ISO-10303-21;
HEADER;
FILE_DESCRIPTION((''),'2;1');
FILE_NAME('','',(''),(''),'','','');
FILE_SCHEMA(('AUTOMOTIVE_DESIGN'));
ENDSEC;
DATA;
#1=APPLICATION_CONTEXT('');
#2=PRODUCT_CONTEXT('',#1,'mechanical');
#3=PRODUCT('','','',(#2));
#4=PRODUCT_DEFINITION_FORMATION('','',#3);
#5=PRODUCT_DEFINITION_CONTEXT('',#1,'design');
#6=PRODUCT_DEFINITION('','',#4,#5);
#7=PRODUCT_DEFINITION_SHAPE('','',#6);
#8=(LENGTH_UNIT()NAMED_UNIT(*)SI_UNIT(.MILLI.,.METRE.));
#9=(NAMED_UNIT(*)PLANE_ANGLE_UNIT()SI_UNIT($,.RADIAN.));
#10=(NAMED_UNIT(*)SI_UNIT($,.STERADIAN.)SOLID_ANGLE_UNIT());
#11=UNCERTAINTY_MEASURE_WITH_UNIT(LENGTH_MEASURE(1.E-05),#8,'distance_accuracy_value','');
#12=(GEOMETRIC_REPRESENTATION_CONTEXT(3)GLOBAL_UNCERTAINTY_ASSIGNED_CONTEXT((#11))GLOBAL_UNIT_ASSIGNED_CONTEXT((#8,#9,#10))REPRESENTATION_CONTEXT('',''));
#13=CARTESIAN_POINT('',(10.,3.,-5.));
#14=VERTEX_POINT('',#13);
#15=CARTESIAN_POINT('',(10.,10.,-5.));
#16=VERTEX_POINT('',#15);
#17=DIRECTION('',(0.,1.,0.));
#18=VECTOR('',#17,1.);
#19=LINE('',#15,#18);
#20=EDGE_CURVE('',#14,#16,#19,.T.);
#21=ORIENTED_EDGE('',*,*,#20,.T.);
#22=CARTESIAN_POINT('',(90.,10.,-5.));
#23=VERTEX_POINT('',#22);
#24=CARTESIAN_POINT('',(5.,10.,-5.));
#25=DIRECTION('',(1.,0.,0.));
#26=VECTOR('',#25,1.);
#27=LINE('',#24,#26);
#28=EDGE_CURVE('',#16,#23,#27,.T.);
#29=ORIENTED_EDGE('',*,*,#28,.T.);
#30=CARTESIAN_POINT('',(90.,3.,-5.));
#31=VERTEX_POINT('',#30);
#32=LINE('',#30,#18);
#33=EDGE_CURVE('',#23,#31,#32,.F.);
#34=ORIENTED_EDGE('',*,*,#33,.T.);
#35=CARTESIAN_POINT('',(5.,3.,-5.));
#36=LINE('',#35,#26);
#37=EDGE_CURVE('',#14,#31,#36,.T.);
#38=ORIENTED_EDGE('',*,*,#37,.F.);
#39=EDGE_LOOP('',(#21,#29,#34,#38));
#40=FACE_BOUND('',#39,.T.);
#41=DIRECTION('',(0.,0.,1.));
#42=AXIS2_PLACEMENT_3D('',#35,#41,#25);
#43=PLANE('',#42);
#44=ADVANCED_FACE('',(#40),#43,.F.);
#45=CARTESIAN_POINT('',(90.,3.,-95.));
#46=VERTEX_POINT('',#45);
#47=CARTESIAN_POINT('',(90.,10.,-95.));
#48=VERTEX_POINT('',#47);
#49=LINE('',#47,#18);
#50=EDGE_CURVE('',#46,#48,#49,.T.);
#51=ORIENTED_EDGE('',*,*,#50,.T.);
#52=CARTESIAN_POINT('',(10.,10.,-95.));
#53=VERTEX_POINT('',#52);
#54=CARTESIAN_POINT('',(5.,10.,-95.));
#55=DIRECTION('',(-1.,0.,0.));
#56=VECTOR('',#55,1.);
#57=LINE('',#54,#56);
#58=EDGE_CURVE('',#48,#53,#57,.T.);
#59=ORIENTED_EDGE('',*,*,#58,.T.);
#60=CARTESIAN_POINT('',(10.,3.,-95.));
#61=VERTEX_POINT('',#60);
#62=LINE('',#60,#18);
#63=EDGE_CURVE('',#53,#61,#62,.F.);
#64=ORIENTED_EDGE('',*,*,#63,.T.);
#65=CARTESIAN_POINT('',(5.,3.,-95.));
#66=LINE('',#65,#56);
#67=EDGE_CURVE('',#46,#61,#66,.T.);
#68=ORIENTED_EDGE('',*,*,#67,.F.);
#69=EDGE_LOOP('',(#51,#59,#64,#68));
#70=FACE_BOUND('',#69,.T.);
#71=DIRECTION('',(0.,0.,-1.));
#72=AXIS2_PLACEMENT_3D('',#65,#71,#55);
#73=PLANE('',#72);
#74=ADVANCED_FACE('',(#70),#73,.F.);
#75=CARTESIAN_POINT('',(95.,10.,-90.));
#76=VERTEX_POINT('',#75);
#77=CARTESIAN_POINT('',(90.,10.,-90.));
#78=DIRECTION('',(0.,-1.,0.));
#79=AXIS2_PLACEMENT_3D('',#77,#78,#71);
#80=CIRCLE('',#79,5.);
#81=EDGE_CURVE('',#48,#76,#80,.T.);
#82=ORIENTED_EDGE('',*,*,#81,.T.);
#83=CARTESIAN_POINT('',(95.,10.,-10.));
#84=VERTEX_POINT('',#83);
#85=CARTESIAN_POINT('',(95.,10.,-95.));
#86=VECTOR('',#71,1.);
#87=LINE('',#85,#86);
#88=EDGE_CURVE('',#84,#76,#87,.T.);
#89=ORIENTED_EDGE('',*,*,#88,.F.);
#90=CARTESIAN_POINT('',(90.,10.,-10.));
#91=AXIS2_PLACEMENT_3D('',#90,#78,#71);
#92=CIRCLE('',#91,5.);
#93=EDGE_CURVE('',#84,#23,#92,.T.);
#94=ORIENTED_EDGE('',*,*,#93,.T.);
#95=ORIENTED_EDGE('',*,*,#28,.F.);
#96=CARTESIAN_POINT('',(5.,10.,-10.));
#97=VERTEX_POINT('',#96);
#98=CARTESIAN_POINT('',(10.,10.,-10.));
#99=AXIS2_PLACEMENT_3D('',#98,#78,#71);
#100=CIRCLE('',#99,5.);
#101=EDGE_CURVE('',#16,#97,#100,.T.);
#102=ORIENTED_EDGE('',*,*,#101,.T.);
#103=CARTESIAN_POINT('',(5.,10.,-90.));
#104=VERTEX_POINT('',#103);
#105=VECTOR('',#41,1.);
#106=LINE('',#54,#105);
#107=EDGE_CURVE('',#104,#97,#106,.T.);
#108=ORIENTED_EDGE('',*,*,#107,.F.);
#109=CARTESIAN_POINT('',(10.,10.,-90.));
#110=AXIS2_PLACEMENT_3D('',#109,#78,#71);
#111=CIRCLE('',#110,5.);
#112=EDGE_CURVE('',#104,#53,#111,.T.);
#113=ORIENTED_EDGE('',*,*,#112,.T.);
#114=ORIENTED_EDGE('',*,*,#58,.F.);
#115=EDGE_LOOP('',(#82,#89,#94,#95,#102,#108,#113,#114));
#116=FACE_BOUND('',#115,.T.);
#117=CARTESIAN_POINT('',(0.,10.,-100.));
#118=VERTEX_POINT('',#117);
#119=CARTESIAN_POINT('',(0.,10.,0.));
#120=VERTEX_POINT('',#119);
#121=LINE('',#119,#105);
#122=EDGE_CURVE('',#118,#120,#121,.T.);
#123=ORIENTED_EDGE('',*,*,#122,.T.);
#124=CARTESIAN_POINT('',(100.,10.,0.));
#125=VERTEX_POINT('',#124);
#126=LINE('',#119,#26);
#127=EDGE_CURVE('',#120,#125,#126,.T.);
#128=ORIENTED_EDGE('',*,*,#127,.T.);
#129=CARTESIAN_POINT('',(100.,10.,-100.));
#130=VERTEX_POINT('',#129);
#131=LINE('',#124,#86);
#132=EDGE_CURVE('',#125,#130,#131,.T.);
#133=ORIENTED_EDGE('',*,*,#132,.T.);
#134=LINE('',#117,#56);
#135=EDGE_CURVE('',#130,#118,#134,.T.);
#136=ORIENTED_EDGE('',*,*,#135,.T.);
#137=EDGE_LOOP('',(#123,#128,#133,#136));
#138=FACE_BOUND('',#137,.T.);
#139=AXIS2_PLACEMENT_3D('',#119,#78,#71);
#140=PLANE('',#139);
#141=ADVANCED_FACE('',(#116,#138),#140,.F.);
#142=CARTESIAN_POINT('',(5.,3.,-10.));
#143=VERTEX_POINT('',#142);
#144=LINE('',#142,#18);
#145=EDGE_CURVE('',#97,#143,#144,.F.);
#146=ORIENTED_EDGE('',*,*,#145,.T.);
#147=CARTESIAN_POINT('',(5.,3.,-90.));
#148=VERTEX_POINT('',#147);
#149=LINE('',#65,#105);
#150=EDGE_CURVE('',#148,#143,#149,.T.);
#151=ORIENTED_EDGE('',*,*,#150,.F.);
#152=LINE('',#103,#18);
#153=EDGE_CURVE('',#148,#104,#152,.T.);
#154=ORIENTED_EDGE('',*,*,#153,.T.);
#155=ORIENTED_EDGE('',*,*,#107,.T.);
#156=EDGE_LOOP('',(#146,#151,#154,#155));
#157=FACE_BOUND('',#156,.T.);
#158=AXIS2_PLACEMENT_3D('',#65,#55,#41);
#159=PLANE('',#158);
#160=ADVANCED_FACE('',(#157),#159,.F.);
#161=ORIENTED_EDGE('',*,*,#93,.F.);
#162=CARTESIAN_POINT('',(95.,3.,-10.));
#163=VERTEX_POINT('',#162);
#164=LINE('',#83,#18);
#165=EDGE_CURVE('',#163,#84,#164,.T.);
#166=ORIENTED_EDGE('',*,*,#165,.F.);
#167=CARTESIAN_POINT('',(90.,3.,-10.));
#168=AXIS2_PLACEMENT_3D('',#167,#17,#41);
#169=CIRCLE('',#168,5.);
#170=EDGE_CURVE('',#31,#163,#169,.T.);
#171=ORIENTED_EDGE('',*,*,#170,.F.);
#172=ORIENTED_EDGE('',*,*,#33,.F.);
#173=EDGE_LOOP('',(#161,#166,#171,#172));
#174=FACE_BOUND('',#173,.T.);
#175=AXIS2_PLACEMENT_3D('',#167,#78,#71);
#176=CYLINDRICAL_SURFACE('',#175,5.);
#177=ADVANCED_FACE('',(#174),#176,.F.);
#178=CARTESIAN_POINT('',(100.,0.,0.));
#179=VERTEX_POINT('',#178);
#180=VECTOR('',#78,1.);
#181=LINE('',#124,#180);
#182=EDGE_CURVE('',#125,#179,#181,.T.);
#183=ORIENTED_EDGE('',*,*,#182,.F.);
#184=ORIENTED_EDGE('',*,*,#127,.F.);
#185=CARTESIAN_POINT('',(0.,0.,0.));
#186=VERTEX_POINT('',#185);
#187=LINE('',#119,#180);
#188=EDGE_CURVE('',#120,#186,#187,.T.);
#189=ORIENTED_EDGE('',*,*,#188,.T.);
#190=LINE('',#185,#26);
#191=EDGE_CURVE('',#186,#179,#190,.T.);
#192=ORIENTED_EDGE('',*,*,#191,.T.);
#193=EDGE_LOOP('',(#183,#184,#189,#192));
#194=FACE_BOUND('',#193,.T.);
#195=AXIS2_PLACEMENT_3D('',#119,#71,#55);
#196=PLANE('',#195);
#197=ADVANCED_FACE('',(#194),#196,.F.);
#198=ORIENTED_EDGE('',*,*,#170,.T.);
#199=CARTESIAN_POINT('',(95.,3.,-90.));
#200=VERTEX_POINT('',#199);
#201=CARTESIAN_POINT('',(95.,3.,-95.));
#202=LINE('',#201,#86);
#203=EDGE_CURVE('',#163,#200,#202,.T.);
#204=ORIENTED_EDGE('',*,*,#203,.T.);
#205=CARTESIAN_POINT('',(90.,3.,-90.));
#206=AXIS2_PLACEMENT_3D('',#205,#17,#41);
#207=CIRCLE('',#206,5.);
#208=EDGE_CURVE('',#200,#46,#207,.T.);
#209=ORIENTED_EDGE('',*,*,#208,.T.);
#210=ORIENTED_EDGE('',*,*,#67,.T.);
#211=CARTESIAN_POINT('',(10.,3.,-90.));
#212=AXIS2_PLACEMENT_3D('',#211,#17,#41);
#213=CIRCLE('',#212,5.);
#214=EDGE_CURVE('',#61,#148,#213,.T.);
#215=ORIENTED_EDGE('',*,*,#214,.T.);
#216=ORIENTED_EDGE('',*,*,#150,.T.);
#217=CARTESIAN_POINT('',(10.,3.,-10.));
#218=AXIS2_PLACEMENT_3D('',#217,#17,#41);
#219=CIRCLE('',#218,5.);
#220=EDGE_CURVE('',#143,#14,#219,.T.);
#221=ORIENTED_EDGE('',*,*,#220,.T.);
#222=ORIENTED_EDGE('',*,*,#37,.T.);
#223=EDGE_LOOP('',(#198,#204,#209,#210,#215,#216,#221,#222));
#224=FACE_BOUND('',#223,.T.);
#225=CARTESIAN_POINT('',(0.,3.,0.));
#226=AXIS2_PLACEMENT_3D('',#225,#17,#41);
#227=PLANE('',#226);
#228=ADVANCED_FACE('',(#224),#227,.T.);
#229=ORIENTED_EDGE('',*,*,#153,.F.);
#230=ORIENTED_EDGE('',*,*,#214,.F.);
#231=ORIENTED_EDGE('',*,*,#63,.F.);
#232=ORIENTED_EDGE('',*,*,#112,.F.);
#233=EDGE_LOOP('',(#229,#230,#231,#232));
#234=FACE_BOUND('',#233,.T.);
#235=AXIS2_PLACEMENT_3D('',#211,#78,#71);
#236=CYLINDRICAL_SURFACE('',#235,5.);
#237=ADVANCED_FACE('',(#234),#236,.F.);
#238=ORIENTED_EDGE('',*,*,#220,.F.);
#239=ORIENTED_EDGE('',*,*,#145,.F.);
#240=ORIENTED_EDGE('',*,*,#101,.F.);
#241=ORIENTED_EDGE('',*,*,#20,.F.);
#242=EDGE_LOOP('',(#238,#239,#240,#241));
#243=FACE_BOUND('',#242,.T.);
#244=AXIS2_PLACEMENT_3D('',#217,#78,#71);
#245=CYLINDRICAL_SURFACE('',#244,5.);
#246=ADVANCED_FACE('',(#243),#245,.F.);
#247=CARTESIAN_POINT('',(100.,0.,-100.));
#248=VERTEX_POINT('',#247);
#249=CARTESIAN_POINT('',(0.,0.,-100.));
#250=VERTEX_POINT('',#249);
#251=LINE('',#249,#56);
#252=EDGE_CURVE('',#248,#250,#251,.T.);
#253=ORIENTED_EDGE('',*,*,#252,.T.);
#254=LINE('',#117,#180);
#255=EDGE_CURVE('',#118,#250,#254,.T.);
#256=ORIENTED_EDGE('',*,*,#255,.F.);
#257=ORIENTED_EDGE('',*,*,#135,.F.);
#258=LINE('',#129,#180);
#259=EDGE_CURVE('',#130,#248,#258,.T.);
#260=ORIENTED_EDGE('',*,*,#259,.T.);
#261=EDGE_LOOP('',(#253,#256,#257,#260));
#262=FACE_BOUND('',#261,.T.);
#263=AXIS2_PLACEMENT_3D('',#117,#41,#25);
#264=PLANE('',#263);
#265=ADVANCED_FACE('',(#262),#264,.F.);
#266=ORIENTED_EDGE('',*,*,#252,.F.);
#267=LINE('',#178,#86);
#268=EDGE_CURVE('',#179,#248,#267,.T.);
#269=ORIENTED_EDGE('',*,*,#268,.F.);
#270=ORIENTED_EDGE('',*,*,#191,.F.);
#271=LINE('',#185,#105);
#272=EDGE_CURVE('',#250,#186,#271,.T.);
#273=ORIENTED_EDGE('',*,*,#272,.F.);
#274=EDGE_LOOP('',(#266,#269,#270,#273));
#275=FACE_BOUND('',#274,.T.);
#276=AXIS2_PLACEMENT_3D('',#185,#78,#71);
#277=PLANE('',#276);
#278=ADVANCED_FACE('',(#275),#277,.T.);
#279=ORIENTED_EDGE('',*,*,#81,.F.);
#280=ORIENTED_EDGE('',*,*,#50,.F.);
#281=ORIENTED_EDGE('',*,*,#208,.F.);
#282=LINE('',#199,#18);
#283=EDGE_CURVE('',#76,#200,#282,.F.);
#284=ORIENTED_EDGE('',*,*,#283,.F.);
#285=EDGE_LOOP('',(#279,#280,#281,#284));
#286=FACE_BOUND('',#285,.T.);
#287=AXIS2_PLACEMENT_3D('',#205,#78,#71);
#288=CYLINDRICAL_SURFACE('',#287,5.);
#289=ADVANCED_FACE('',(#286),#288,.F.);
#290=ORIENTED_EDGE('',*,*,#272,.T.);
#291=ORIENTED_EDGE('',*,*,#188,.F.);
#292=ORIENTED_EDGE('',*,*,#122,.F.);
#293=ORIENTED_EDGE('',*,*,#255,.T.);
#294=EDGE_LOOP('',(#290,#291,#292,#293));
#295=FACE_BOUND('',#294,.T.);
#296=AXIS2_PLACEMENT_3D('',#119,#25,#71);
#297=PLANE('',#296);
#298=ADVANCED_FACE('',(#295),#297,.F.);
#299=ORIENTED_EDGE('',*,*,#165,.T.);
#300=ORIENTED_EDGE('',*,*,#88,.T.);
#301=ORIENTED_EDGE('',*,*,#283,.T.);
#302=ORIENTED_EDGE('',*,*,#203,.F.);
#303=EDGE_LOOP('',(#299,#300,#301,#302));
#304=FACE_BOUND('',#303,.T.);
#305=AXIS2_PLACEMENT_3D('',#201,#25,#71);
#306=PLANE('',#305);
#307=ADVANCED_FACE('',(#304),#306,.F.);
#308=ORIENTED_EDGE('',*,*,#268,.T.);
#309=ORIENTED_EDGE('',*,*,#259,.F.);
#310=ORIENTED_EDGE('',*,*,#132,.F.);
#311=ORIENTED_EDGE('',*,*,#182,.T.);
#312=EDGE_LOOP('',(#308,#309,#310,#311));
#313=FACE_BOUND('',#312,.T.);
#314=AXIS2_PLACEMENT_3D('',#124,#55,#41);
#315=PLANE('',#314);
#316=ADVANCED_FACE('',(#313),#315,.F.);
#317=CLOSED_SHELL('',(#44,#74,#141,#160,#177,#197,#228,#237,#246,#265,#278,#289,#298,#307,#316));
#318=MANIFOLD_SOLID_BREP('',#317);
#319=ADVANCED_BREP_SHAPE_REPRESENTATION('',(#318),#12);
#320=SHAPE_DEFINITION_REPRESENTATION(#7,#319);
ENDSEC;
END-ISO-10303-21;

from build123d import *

# Parameters (mm, degrees)
SKETCH2_W           = 100
SKETCH2_H           = 100
BOSS_EXTRUDE1_DEPTH = 10
SKETCH3_W           = 90
SKETCH3_H           = 90
CUT_EXTRUDE1_DEPTH  = 7
FILLET2_R           = 5


with BuildPart() as part:
    # Sketch2 → Boss-Extrude1 (new body)
    with BuildSketch(Plane(origin=(0, 0, 0), x_dir=(1, 0, 0), z_dir=(0, 1, 0))):
        with Locations((50, 50)):
            Rectangle(SKETCH2_W, SKETCH2_H)
    extrude(amount=BOSS_EXTRUDE1_DEPTH)

    # Sketch3 → Cut-Extrude1 (cut)
    with BuildSketch(Plane(origin=(0, 10, 0), x_dir=(1, 0, 0), z_dir=(0, 1, 0))):
        with Locations((50, 50)):
            Rectangle(SKETCH3_W, SKETCH3_H)
    extrude(amount=-CUT_EXTRUDE1_DEPTH, mode=Mode.SUBTRACT)

    # Fillet2
    fillet2_edges = [part.edges().sort_by_distance(p)[0] for p in [
        (5, 6.5, -5),
        (5, 6.5, -95),
        (95, 6.5, -95),
        (95, 6.5, -5),
    ]]
    fillet(fillet2_edges, radius=FILLET2_R)


solid = part.part
